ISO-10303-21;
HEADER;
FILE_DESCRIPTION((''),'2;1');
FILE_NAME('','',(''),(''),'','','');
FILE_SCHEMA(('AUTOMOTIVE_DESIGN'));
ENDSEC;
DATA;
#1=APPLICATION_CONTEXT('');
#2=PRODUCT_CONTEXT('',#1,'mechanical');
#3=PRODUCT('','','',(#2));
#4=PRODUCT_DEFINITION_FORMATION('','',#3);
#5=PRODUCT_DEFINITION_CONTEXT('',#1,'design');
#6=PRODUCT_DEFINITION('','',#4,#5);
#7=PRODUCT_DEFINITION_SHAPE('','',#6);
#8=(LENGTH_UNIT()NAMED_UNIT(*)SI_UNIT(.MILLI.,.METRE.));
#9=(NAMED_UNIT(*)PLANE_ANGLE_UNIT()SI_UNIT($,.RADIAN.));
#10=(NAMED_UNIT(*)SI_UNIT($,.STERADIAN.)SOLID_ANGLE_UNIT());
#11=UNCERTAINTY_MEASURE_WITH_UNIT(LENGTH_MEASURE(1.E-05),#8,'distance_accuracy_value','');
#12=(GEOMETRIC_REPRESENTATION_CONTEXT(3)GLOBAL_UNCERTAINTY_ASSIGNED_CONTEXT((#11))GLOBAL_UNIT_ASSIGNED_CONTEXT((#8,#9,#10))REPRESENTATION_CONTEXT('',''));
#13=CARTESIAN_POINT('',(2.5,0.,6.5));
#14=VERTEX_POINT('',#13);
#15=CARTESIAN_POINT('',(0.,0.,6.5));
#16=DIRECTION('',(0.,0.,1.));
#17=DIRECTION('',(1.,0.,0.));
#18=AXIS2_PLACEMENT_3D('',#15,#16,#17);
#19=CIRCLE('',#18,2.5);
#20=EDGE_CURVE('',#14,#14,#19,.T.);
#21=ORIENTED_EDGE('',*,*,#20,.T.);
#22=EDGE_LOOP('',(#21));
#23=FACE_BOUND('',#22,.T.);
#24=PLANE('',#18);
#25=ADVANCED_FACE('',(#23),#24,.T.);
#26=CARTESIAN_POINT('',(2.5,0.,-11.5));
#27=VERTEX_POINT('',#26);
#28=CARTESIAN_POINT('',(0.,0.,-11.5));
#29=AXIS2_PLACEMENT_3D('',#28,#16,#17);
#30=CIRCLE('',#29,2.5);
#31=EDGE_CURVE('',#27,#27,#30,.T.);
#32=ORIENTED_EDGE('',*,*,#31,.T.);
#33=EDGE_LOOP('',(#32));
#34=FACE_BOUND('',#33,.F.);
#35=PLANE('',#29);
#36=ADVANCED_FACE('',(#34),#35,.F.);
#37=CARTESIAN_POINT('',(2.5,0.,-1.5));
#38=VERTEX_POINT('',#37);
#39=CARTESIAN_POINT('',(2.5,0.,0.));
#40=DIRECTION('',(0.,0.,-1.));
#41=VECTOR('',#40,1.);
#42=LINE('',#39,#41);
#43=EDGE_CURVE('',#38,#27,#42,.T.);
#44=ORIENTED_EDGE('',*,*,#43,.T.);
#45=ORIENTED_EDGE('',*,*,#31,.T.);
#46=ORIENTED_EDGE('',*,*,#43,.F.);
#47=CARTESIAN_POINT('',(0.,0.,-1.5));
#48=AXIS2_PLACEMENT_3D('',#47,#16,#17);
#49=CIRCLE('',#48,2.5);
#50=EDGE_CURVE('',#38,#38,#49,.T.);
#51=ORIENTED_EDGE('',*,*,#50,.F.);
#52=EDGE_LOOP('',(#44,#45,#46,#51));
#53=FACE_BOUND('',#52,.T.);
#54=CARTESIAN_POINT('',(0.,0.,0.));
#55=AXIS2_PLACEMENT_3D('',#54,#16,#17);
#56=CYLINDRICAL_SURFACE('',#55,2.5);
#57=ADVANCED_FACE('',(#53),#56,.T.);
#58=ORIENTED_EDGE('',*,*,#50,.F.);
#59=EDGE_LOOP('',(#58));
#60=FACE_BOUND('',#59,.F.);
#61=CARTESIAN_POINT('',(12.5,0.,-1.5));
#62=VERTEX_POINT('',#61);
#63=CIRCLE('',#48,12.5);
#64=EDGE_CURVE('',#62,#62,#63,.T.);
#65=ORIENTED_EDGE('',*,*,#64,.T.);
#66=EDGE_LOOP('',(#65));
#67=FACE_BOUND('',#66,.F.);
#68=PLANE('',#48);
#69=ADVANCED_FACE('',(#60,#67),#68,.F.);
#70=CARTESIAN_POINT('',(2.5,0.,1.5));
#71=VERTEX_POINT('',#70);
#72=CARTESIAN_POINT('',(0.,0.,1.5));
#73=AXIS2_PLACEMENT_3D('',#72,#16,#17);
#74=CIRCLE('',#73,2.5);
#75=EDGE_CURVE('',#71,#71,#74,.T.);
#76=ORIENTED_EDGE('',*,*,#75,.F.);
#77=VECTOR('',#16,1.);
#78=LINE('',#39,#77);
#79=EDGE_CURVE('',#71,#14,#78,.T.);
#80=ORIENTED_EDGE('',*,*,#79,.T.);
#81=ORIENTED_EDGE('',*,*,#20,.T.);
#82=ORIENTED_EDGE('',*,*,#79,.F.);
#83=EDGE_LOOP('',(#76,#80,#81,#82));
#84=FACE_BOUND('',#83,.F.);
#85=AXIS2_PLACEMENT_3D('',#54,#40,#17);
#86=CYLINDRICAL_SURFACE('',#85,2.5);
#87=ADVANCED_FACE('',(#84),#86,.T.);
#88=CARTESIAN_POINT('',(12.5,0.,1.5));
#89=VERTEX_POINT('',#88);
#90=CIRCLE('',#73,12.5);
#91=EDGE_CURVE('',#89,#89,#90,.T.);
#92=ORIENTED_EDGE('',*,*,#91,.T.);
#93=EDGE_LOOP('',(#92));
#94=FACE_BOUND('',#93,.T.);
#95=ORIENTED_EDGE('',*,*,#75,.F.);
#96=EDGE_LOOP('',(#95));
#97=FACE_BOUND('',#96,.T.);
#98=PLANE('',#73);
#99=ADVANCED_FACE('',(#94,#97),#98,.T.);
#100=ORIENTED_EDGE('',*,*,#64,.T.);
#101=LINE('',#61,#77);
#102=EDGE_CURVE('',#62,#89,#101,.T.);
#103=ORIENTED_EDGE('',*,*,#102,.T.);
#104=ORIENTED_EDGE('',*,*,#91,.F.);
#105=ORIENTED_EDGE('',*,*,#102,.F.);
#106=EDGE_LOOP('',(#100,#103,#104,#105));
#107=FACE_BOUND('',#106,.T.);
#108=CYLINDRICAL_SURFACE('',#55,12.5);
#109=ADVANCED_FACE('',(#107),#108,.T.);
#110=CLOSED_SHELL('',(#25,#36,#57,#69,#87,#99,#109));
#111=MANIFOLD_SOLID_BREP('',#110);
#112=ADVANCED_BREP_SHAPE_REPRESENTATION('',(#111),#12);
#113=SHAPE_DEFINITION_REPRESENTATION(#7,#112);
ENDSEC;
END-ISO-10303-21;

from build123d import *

# Parameters (mm, degrees)
F0_R          = 12.5
F0_R_2        = 2.5
F1_DEPTH      = 1.5
F1_DEPTH_BACK = 1.5
F2_DEPTH      = 6.5
F2_DEPTH_BACK = 11.5


with BuildPart() as f1:
    # F0 (on Top) → F1 (new body, two sides)
    with BuildSketch(Plane.XY) as f1_sk:
        Circle(F0_R)
        Circle(F0_R_2, mode=Mode.SUBTRACT)
    extrude(amount=F1_DEPTH)
    extrude(f1_sk.sketch, amount=-F1_DEPTH_BACK)

    # F0 (on Top) → F2 (join, two sides)
    with BuildSketch(Plane.XY) as f2_sk:
        Circle(F0_R_2)
    extrude(amount=F2_DEPTH)
    extrude(f2_sk.sketch, amount=-F2_DEPTH_BACK)


solid = f1.part
